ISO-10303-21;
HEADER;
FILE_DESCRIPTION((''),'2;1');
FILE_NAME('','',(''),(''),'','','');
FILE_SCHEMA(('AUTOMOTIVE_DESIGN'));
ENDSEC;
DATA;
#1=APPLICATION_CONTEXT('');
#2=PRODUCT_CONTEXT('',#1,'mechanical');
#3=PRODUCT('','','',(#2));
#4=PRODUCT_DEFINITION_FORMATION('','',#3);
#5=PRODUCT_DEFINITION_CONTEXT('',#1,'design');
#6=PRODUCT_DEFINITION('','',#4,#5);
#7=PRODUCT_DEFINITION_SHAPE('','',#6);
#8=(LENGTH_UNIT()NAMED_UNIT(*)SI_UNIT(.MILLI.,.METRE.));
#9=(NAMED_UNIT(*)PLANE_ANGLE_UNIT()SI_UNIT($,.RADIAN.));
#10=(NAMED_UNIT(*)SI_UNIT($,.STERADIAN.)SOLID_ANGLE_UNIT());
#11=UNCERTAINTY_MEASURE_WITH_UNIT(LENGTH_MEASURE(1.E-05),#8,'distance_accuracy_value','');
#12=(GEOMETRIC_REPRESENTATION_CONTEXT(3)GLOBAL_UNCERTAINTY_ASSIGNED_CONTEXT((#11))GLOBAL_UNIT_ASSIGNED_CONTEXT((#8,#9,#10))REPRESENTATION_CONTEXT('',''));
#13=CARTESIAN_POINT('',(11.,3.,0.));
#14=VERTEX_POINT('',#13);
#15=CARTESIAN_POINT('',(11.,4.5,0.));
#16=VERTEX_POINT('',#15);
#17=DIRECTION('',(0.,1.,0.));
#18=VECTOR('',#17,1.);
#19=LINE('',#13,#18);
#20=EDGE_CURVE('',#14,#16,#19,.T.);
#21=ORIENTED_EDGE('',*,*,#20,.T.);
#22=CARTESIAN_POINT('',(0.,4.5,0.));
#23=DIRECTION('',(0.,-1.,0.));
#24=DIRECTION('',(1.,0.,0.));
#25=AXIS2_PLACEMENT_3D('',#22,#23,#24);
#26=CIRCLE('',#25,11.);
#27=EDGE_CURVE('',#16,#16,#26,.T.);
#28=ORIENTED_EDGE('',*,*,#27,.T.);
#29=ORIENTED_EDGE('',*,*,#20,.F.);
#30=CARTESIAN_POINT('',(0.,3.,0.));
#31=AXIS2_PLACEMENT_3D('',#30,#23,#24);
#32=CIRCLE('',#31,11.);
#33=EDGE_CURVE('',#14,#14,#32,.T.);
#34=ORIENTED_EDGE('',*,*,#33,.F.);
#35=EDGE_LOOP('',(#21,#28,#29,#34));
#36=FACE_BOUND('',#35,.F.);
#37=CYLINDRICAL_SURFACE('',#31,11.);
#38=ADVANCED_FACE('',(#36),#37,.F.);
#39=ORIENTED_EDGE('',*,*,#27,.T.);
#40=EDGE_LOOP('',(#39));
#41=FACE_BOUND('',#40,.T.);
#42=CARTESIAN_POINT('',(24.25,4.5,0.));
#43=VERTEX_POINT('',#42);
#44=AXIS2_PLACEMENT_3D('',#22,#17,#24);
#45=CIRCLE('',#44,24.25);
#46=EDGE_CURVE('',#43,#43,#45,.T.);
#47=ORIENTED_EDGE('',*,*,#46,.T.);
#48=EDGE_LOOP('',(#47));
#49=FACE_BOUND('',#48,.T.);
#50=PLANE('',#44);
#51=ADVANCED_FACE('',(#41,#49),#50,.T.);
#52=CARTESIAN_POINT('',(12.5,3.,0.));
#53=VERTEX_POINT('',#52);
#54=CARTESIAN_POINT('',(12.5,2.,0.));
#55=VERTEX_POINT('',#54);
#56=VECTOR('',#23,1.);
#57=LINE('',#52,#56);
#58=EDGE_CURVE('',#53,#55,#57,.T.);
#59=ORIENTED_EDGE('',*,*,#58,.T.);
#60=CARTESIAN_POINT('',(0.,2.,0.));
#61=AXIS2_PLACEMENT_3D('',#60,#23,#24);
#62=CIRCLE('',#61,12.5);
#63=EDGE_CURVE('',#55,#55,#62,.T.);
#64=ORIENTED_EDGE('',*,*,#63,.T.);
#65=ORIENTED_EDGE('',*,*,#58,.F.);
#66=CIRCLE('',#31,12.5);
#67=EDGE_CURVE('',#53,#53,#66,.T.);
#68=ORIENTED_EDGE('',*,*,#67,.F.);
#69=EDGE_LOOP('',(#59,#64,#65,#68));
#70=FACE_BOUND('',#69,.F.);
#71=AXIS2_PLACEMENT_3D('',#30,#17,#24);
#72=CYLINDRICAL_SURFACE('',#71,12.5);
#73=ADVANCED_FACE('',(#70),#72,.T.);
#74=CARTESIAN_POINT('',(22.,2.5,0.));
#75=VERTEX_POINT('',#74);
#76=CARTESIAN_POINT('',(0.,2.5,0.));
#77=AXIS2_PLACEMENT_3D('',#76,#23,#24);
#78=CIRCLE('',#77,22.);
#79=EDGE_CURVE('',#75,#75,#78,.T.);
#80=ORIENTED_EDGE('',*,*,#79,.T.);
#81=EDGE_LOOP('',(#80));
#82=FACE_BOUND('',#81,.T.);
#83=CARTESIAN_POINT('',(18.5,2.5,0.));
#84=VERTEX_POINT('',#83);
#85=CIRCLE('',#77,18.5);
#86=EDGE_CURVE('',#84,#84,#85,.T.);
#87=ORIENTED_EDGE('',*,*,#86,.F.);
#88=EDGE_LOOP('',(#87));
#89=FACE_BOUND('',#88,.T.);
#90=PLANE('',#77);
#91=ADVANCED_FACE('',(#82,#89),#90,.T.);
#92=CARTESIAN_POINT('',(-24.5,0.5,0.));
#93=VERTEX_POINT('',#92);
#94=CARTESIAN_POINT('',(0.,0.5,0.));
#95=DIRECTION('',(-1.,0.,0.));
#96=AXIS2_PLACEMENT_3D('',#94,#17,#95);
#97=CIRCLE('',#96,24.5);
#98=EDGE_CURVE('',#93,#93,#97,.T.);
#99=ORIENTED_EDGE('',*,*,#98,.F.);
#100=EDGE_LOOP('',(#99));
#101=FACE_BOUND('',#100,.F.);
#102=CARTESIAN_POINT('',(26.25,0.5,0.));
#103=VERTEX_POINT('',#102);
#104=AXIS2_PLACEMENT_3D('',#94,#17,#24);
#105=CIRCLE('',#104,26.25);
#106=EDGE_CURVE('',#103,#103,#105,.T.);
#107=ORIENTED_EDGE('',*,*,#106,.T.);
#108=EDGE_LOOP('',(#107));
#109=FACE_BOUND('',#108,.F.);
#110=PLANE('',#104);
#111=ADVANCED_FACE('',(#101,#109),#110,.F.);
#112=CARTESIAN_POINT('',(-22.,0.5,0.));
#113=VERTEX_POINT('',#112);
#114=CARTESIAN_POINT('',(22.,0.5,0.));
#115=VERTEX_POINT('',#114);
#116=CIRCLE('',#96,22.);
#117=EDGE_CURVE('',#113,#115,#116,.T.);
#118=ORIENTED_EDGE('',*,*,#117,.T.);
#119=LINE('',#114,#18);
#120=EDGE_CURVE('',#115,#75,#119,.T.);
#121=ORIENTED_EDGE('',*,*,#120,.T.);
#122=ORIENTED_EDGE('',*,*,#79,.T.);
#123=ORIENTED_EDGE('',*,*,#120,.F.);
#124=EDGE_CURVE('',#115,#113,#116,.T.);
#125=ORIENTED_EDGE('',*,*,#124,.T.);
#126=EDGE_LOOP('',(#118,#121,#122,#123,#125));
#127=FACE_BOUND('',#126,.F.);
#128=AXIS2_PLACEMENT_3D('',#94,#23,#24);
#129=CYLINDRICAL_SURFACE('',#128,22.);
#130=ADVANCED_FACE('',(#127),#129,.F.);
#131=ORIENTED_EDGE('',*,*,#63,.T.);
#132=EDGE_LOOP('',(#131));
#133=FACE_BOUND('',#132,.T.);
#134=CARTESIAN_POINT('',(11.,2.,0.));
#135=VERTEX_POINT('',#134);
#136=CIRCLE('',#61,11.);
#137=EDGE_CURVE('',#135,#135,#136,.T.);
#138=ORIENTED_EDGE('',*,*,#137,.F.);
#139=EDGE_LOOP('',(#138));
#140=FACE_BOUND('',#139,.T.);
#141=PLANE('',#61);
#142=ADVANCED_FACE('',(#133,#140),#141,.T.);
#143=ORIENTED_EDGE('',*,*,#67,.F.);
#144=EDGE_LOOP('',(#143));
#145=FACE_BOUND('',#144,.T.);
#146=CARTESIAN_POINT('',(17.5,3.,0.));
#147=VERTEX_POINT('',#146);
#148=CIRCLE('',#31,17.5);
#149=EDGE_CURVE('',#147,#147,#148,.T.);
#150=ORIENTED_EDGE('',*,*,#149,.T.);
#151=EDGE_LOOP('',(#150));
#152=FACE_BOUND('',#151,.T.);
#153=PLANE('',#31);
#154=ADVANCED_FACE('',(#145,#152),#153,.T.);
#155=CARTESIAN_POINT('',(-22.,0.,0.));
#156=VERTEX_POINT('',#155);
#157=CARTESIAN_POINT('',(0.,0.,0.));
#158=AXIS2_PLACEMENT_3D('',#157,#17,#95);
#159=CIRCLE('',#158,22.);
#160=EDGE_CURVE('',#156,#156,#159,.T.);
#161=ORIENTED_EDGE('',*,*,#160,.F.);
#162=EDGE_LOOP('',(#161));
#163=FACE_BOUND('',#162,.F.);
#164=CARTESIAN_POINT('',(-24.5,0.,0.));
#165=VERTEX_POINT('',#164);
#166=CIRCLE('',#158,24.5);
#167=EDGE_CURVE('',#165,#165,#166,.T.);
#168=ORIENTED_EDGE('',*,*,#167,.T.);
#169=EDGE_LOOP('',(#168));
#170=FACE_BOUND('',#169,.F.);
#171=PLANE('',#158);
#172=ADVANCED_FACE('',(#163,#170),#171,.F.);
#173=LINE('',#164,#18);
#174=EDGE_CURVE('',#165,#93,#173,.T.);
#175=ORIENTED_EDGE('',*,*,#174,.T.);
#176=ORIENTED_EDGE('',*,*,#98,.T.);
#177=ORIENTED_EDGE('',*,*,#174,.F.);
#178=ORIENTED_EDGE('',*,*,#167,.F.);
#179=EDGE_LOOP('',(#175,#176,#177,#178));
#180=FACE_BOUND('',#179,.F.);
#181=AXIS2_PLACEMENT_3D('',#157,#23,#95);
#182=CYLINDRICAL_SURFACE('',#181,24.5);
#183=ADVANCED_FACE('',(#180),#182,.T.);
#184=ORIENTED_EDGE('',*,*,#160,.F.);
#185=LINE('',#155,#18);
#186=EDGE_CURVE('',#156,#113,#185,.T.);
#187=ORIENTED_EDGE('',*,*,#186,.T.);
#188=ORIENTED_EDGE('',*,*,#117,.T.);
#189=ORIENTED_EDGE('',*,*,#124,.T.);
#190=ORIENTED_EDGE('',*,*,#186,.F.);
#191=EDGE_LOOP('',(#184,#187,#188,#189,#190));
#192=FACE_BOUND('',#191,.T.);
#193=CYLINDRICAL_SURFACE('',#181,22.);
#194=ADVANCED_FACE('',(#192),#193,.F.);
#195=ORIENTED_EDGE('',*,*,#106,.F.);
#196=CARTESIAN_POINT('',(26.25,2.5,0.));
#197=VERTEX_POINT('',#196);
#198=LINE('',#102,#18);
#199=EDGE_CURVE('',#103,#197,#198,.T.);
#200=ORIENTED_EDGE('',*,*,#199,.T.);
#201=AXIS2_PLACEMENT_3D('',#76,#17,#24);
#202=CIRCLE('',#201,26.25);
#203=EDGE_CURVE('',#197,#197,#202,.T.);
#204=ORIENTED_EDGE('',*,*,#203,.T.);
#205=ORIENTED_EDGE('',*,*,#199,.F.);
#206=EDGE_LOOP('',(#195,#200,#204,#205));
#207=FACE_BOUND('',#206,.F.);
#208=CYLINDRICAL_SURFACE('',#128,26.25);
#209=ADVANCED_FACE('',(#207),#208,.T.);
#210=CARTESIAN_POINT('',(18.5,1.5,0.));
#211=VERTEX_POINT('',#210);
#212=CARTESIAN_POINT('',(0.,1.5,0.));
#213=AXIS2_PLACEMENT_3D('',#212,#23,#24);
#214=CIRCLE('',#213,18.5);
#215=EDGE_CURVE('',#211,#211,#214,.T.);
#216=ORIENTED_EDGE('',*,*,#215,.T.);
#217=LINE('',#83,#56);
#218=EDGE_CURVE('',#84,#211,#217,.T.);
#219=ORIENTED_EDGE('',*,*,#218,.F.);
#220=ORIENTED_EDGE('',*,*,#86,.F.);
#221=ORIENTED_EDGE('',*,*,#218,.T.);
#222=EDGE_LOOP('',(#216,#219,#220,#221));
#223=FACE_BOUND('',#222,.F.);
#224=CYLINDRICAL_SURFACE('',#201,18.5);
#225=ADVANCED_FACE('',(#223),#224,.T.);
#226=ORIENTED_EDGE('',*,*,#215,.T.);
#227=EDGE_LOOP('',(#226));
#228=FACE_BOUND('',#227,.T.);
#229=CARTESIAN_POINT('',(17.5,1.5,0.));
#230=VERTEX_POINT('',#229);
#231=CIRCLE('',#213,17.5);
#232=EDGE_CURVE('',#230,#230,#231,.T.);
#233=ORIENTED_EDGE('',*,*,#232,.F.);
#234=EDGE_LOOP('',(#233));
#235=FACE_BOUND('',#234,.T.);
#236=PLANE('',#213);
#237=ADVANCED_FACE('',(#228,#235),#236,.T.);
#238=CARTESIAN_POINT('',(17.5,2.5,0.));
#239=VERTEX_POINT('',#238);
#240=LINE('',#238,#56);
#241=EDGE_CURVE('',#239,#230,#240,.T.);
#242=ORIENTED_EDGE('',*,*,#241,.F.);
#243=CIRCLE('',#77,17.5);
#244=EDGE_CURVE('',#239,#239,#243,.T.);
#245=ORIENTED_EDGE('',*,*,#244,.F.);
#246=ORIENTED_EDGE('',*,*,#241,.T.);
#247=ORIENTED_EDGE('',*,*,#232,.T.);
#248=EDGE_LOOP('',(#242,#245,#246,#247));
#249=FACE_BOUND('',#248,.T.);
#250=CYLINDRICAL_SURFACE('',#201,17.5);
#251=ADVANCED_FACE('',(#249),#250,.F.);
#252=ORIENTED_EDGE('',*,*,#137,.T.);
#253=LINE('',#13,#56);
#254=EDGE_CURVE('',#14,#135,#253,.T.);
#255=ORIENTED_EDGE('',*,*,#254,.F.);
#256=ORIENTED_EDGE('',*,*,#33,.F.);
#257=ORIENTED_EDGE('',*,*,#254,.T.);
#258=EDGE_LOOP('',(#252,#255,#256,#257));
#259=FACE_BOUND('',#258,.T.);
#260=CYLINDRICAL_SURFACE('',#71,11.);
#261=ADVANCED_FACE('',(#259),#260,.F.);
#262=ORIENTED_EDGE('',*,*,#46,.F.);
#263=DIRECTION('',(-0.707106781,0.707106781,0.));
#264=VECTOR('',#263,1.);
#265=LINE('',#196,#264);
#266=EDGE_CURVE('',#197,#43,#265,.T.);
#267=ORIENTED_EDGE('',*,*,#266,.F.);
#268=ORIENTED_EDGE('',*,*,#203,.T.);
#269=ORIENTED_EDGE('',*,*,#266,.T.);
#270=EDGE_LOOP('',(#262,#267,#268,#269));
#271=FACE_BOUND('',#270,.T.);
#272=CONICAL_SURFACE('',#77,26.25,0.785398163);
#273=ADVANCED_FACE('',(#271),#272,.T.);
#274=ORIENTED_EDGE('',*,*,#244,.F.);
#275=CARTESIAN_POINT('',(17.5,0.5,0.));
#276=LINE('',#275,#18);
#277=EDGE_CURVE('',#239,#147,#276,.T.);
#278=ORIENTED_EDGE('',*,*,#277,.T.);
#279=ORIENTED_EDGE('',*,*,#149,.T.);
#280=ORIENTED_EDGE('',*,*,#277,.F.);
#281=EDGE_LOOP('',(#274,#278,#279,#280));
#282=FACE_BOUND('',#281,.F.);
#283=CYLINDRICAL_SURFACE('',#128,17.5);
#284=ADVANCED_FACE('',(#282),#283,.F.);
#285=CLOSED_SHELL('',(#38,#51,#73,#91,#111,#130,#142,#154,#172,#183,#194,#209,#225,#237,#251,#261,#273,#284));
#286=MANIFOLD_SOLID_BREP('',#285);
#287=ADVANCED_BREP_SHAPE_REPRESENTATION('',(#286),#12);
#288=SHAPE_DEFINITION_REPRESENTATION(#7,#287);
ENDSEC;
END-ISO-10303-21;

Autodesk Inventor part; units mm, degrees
ref_plane "YZ Plane" through (0, 0, 0) normal (1, 0, 0) x (0, 1, 0)
ref_plane "XZ Plane" through (0, 0, 0) normal (0, 1, 0) x (-1, 0, 0)
ref_plane "XY Plane" through (0, 0, 0) normal (0, 0, 1) x (1, 0, 0)
sketch "Sketch1" plane through (0, 0, 0) normal (0, 1, 0) x (-1, 0, 0)
  circle A0 centre (0, 0) radius 24.5
  circle A1 centre (0, 0) radius 22
  dimension "d0" = 49
  dimension "d1" = 44
extrude "Extrusion1" add sketch "Sketch1" along normal blind 0.5
sketch "Sketch2" plane through (0, 0.5, 0) normal (0, 1, 0) x (1, 0, 0)
  circle A0 centre (0, 0) radius 26.25
  dimension "d4" = 52.5
extrude "Extrusion2" add sketch "Sketch2" along normal blind 4
sketch "Sketch3" plane through (0, 0.5, 0) normal (0, -1, 0) x (1, 0, 0)
  circle A0 centre (0, 0) radius 17.5
  dimension "d7" = 35
extrude "Extrusion3" cut sketch "Sketch3" against normal blind 2.5
sketch "Sketch4" plane through (0, 3, 0) normal (0, -1, 0) x (1, 0, 0)
  circle A0 centre (0, 0) radius 11
  dimension "d10" = 22
extrude "Extrusion4" cut sketch "Sketch4" against normal blind 4
sketch "Sketch5" plane through (0, 3, 0) normal (0, -1, 0) x (1, 0, 0)
  circle A0 centre (0, 0) radius 11 projected
  circle A1 centre (0, 0) radius 11
  circle A2 centre (0, 0) radius 12.5
  dimension "d13" = 25
extrude "Extrusion5" add sketch "Sketch5" along normal blind 1
sketch "Sketch6" plane through (0, 0.5, 0) normal (0, -1, 0) x (1, 0, 0)
  circle A0 centre (0, 0) radius 17.5
  circle A1 centre (0, 0) radius 22 projected
  circle A2 centre (0, 0) radius 22
extrude "Extrusion6" cut sketch "Sketch6" against normal blind 2
sketch "Sketch7" plane through (0, 2.5, 0) normal (0, -1, 0) x (1, 0, 0)
  circle A0 centre (0, 0) radius 17.5
  circle A1 centre (0, 0) radius 18.5
  dimension "d18" = 37
extrude "Extrusion7" add sketch "Sketch7" along normal blind 1
chamfer "Chamfer1" distance 2 angle 45 1 edges at (-26.25, 4.5, 0)
properties part number "Grease retainer disk"
